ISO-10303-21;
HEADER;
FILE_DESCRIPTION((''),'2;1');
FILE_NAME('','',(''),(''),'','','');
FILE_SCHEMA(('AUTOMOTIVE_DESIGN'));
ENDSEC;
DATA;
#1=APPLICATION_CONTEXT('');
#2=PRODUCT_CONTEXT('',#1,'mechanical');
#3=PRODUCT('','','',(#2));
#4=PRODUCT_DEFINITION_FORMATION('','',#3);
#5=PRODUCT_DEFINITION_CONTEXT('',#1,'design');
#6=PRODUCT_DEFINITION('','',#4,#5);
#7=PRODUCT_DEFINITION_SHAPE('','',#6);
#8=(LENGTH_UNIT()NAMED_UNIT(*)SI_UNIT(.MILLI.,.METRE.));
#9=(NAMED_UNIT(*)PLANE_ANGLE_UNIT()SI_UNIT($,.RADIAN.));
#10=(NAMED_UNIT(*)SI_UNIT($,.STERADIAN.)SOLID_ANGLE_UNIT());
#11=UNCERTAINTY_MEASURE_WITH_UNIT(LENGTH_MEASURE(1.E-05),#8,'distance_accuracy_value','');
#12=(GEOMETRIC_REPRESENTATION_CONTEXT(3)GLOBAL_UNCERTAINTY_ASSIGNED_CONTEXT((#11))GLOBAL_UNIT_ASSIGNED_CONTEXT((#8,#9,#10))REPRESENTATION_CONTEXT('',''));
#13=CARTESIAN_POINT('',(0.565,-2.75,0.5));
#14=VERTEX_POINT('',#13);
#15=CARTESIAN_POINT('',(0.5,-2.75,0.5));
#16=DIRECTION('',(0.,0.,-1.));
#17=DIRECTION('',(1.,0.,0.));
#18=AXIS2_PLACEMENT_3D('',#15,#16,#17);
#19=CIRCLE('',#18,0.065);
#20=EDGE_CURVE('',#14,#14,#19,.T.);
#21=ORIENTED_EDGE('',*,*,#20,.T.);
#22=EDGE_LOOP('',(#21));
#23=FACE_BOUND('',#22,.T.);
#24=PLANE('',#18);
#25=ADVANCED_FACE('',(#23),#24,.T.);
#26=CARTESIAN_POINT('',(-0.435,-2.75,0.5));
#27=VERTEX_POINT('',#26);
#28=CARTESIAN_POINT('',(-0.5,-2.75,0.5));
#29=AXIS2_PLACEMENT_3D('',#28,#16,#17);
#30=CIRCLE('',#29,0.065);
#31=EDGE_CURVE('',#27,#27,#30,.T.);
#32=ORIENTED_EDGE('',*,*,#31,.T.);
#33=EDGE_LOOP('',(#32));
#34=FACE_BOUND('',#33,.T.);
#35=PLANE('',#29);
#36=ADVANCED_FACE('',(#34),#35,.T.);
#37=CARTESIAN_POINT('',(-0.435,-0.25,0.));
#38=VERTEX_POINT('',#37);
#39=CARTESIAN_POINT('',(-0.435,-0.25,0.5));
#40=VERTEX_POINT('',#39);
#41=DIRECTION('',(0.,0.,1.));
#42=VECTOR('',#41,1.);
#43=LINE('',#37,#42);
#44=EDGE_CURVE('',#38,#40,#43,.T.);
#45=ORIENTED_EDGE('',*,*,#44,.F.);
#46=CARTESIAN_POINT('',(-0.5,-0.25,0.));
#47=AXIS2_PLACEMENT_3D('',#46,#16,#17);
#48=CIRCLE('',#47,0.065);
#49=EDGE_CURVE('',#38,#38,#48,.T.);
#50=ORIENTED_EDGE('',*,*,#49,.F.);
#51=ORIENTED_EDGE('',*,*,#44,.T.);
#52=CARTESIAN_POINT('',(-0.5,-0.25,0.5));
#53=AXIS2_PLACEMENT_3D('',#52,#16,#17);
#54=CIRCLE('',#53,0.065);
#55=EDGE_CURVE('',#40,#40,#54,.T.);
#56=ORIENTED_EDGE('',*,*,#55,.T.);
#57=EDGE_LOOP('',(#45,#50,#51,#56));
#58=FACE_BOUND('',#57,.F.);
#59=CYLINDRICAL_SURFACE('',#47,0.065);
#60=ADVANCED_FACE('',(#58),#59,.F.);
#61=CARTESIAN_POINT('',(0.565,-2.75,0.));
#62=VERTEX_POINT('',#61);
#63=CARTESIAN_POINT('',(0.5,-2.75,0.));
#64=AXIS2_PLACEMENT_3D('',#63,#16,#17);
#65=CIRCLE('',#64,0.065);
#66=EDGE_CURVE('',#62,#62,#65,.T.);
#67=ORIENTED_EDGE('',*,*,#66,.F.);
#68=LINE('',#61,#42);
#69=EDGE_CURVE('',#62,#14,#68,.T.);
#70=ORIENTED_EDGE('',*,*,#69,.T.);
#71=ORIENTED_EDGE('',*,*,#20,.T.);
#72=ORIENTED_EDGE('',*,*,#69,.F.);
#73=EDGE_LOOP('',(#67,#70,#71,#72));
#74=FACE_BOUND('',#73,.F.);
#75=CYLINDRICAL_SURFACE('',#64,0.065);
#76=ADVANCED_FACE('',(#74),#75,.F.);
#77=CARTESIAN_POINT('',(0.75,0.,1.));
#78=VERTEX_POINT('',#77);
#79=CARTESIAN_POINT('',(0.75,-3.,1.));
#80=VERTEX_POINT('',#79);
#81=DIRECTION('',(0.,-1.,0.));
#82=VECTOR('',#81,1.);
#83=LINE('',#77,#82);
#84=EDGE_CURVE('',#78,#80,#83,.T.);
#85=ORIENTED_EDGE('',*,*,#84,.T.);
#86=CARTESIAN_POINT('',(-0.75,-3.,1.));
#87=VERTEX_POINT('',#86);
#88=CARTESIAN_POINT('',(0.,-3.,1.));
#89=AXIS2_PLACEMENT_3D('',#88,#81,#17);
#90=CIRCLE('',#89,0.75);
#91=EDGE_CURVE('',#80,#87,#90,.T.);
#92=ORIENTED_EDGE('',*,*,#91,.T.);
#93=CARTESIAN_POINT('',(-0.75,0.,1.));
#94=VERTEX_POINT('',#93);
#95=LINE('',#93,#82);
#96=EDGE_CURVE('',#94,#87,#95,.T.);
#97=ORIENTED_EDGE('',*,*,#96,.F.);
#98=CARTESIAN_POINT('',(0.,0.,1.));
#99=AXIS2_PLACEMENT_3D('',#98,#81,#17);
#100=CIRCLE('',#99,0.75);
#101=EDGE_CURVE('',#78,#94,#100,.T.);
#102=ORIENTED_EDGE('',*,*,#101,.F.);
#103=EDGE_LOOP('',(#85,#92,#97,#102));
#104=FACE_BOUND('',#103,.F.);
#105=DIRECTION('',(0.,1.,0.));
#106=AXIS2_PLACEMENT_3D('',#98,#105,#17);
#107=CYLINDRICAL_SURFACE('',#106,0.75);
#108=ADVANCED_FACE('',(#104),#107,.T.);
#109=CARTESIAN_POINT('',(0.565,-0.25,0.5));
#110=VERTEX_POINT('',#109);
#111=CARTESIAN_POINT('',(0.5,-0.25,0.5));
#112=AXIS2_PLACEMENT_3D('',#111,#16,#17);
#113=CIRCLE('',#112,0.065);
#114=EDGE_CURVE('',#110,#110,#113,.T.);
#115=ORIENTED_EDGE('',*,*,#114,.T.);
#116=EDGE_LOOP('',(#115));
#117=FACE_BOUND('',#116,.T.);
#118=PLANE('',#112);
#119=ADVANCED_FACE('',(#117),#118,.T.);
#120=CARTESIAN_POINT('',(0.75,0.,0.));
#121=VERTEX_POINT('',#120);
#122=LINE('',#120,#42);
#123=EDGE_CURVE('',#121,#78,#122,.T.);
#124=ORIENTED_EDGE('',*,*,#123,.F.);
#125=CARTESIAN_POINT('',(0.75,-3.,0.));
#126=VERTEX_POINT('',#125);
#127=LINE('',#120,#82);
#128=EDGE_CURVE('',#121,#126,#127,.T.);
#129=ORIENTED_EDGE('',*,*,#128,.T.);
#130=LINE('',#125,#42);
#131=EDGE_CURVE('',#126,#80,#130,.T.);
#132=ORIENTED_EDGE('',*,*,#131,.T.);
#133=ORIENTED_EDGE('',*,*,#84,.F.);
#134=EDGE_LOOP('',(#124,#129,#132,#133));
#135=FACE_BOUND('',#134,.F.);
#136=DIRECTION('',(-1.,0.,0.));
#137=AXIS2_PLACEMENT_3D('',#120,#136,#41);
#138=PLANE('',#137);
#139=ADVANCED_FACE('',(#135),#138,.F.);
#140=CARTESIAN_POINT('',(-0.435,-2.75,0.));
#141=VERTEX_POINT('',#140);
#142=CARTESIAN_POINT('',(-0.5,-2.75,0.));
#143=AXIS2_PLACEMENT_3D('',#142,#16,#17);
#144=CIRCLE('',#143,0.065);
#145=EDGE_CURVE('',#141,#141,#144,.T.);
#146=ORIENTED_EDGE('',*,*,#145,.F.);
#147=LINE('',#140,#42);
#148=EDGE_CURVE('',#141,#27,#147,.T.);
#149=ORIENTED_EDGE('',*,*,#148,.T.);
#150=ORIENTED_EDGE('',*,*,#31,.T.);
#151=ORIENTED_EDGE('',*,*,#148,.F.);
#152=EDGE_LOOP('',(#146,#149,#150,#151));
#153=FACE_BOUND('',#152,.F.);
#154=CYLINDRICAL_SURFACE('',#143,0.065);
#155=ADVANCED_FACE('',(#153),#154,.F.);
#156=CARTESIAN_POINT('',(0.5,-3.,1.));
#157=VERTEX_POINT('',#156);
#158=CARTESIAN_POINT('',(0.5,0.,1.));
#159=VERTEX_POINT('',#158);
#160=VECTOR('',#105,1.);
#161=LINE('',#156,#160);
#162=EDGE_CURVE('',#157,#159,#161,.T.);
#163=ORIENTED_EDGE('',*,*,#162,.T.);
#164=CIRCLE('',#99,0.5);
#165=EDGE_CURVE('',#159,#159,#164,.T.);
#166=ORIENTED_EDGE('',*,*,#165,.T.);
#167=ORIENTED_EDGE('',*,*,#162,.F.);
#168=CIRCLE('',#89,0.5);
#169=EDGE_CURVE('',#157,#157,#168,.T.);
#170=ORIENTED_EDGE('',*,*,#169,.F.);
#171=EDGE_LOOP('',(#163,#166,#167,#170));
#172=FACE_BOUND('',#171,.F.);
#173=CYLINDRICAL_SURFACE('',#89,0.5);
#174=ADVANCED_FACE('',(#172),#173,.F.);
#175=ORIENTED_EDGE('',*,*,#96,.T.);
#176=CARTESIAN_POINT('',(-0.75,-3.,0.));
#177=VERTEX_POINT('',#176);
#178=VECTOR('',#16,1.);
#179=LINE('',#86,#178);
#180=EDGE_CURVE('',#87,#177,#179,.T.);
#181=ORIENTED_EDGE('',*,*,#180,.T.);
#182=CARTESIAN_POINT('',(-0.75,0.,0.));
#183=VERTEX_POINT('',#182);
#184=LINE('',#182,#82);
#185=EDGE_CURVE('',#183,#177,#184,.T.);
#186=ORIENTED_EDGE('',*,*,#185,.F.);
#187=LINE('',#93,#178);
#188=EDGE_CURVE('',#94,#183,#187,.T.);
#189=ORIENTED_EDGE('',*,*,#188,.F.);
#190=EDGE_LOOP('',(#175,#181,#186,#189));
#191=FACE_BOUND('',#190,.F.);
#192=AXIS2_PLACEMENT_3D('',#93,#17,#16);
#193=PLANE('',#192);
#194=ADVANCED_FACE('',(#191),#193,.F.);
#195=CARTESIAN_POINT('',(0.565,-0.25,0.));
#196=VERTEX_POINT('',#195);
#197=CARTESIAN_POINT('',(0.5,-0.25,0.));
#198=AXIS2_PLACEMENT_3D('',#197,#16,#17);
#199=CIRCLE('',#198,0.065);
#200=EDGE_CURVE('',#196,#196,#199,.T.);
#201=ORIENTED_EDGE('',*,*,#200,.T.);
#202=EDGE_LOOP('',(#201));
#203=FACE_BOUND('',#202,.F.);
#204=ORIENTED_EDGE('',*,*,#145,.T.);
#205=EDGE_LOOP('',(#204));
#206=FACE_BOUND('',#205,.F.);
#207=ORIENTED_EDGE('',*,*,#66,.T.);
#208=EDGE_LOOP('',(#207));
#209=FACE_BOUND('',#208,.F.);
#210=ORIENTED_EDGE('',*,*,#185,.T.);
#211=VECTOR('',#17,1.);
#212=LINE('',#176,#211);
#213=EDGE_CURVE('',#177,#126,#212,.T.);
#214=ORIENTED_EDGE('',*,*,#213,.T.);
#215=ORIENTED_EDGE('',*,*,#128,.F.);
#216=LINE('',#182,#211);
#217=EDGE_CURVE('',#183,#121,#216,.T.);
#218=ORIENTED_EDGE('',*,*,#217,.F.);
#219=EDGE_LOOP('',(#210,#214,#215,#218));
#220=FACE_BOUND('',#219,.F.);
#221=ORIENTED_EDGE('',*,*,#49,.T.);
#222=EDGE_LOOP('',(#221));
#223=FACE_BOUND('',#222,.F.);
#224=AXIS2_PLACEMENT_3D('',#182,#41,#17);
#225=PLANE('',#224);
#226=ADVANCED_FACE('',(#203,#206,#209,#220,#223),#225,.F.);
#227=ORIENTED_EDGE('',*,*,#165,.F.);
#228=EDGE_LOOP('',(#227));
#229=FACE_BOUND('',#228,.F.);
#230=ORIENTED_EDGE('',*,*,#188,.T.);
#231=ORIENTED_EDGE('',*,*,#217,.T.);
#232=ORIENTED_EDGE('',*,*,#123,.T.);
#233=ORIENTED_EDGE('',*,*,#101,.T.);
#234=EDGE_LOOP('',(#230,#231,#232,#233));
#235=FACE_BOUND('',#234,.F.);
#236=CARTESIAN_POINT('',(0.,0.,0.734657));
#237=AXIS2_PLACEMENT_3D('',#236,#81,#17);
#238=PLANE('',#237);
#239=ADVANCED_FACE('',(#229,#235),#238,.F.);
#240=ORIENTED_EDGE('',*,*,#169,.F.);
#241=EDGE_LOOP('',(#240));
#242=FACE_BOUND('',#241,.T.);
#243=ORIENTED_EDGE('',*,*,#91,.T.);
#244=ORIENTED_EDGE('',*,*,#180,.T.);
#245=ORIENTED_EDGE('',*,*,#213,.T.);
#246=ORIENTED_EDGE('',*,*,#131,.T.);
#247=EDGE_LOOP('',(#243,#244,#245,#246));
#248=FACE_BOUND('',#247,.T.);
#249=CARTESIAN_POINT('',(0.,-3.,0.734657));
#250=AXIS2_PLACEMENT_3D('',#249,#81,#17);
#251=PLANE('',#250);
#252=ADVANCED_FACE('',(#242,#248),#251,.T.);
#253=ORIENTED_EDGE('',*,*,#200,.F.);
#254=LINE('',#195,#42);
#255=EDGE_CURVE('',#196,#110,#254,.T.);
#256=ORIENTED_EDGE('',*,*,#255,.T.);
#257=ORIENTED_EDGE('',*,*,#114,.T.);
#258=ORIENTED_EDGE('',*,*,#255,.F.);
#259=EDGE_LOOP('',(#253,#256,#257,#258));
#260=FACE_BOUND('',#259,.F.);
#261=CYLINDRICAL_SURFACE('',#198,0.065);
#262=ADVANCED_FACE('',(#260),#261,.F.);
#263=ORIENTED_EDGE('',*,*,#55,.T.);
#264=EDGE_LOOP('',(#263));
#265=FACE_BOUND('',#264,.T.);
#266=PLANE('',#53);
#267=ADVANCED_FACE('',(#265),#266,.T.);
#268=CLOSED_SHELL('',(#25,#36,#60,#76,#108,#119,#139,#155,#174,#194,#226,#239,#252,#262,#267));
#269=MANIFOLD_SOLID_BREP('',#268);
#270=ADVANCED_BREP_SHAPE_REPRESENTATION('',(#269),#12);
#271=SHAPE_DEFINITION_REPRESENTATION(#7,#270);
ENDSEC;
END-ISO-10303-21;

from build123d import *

# Parameters (mm, degrees)
F0_R     = 0.25
F1_DEPTH = 3
F2_R     = 0.065
F3_DEPTH = 0.5
F4_R     = 0.5
F5_DEPTH = 3.001


with BuildPart() as f1:
    # F0 (on Front) → F1 (new body)
    with BuildSketch(Plane.XZ):
        with BuildLine():
            Line((-0.75, 0), (0, 0))
            Line((0, 0), (0.75, 0))
            Line((0.75, 0), (0.75, 1))
            ThreePointArc((0.75, 1), (0, 1.75), (-0.75, 1))
            Line((-0.75, 1), (-0.75, 0))
        make_face()
        with Locations((0, 1)):
            Circle(F0_R, mode=Mode.SUBTRACT)
    extrude(amount=F1_DEPTH)

    # F2 (on face) → F3 (cut)
    with BuildSketch(Plane(origin=(0, 0, 0), x_dir=(1, 0, 0), z_dir=(0, 0, -1))):
        with Locations((-0.5, 2.75)):
            Circle(F2_R)
        with Locations((0.5, 2.75)):
            Circle(F2_R)
        with Locations((0.5, 0.25)):
            Circle(F2_R)
        with Locations((-0.5, 0.25)):
            Circle(F2_R)
    extrude(amount=-F3_DEPTH, mode=Mode.SUBTRACT)

    # F4 (on face) → F5 (cut, through all)
    with BuildSketch(Plane.XZ.offset(3)):
        with Locations((0, 1)):
            Circle(F4_R)
    extrude(amount=-F5_DEPTH, mode=Mode.SUBTRACT)


solid = f1.part
